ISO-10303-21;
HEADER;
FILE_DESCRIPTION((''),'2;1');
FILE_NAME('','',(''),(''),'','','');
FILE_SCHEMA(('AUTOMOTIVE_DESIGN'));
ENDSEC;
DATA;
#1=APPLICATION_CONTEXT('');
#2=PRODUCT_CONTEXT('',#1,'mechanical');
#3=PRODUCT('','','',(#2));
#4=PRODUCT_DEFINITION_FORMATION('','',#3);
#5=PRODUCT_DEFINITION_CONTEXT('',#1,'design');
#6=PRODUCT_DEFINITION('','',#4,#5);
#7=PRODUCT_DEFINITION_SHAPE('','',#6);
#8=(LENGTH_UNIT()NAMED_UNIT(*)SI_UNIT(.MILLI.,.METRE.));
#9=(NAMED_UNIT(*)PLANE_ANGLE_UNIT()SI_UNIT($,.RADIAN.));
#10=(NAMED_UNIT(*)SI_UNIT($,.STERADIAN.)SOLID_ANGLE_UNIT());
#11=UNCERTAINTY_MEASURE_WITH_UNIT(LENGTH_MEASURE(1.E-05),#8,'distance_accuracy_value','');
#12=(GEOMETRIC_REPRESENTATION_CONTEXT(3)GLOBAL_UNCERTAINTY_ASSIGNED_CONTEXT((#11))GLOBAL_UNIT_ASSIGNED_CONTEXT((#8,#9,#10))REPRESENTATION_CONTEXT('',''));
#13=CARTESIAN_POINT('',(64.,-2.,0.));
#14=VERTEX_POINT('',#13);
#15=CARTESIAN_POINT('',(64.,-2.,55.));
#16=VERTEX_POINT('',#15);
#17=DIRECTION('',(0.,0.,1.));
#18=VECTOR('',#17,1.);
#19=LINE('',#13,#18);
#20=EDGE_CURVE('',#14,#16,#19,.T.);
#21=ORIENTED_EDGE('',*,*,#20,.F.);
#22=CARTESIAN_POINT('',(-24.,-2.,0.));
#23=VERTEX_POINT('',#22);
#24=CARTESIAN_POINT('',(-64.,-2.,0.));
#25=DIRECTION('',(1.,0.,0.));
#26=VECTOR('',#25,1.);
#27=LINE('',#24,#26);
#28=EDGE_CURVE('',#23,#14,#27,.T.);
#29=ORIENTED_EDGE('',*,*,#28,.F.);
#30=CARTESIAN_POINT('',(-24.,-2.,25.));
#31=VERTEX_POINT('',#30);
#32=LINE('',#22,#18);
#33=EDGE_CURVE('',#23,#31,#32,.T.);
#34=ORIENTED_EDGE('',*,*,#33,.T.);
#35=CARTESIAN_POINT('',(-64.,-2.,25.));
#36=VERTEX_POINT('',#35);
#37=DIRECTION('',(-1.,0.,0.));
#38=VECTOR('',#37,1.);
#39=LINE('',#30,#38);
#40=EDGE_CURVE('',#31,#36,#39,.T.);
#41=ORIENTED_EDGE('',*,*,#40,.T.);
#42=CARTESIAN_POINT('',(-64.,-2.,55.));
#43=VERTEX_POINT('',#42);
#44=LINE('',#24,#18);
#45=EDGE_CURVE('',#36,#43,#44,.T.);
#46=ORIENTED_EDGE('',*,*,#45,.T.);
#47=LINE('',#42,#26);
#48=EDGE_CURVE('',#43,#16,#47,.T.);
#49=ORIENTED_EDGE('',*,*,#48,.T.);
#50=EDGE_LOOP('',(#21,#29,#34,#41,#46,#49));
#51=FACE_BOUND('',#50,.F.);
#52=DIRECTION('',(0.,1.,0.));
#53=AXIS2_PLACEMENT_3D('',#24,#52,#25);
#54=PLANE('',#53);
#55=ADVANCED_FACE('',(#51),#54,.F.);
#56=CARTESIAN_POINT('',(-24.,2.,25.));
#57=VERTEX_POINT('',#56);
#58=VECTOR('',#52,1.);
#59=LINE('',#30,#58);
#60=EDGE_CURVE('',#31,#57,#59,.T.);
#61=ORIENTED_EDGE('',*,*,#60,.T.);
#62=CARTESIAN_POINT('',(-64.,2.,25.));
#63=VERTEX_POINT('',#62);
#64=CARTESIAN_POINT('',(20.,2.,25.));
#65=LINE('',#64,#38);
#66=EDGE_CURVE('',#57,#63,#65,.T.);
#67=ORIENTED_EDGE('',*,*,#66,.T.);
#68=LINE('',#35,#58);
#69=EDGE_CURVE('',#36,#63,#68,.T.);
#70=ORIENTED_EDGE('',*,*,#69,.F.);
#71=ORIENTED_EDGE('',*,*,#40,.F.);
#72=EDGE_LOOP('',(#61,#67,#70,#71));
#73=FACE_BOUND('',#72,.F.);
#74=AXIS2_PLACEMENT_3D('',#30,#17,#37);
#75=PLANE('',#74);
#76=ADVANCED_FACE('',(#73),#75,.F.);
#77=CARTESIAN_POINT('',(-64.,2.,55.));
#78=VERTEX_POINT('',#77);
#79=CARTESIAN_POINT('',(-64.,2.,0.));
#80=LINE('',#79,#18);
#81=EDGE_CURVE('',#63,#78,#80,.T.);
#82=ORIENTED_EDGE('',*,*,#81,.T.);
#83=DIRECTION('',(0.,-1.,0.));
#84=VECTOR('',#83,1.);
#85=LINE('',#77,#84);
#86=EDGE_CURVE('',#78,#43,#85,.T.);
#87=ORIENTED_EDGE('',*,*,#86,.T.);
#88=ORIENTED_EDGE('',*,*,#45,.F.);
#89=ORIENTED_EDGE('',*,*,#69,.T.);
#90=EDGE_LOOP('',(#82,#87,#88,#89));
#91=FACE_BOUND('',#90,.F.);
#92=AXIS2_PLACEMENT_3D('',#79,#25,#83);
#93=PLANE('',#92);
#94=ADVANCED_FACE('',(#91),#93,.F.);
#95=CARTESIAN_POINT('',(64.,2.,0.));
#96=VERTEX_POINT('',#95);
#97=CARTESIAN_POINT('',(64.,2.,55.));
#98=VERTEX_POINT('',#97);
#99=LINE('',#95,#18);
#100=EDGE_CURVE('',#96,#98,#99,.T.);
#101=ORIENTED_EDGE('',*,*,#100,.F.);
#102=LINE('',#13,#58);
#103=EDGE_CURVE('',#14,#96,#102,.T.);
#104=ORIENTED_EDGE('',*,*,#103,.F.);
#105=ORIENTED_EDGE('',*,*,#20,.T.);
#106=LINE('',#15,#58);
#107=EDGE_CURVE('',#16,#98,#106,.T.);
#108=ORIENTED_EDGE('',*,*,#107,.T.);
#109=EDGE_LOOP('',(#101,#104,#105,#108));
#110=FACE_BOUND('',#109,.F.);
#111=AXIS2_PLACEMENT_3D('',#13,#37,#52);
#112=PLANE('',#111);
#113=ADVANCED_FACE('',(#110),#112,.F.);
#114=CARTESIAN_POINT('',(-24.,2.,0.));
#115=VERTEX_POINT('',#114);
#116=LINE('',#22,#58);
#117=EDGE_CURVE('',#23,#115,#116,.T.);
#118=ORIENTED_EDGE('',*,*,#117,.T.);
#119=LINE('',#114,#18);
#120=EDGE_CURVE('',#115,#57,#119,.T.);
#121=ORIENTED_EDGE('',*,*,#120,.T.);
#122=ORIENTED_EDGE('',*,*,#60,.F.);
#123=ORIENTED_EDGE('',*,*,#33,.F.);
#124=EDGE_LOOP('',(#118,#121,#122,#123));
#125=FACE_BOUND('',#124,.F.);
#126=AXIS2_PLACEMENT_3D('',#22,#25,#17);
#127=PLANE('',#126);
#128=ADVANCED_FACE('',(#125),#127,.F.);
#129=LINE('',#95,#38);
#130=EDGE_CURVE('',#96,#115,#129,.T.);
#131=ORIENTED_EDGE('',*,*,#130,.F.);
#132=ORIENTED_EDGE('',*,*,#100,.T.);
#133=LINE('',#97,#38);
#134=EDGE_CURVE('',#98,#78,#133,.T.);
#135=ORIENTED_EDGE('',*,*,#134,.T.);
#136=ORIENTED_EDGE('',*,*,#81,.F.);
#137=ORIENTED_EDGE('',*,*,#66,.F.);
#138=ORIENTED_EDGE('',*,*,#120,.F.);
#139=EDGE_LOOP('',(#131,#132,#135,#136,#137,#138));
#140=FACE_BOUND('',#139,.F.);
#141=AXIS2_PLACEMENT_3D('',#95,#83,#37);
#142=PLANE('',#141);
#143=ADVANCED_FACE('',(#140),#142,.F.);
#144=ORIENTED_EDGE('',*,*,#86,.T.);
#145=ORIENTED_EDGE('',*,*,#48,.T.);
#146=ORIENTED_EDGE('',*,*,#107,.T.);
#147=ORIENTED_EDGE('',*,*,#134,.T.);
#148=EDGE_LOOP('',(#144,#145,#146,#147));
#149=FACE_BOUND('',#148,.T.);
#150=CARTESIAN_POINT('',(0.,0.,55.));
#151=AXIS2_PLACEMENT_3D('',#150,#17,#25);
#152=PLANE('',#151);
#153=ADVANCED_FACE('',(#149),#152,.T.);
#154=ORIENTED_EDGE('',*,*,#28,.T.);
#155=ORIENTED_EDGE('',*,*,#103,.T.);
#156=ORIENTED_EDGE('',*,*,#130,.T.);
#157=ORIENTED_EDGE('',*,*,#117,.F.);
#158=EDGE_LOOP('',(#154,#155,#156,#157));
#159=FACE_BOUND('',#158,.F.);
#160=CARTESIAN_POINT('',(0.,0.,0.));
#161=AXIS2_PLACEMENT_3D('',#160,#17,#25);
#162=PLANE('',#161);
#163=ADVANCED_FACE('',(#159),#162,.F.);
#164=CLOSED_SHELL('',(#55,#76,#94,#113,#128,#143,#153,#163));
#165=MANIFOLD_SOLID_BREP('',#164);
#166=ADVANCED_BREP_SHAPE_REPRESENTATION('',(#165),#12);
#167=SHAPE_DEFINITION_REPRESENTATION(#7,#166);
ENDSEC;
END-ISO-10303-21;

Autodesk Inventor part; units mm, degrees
ref_plane "YZ Plane" through (0, 0, 0) normal (1, 0, 0) x (0, 1, 0)
ref_plane "XZ Plane" through (0, 0, 0) normal (0, 1, 0) x (-1, 0, 0)
ref_plane "XY Plane" through (0, 0, 0) normal (0, 0, 1) x (1, 0, 0)
sketch "Sketch2" plane through (0, 0, 0) normal (0, 0, 1) x (1, 0, 0)
  line L0 (-64, -2) -> (64, -2)
  line L1 (64, -2) -> (64, 2)
  line L2 (64, 2) -> (-64, 2)
  line L3 (-64, 2) -> (-64, -2)
  line L4 (-64, -2) -> (64, 2) construction
  line L5 (64, -2) -> (-64, 2) construction
  point P0 (0, 0)
  dimension "d0" = 4
  dimension "d1" = 128
extrude "Extrusion1" add sketch "Sketch2" along normal blind 55
sketch "Sketch3" plane through (-64, -2, 0) normal (0, -1, 0) x (1, 0, 0)
  line L0 (0, 0) -> (128, 0) projected
  line L1 (0, 0) -> (40, 0)
  line L2 (40, 0) -> (40, 25)
  line L3 (40, 25) -> (0, 25)
  line L4 (0, 25) -> (0, 0)
  point P0 (64, 0)
  dimension "d4" = 40
  dimension "d5" = 25
extrude "Extrusion2" cut sketch "Sketch3" against normal through all
properties part number "divider"
